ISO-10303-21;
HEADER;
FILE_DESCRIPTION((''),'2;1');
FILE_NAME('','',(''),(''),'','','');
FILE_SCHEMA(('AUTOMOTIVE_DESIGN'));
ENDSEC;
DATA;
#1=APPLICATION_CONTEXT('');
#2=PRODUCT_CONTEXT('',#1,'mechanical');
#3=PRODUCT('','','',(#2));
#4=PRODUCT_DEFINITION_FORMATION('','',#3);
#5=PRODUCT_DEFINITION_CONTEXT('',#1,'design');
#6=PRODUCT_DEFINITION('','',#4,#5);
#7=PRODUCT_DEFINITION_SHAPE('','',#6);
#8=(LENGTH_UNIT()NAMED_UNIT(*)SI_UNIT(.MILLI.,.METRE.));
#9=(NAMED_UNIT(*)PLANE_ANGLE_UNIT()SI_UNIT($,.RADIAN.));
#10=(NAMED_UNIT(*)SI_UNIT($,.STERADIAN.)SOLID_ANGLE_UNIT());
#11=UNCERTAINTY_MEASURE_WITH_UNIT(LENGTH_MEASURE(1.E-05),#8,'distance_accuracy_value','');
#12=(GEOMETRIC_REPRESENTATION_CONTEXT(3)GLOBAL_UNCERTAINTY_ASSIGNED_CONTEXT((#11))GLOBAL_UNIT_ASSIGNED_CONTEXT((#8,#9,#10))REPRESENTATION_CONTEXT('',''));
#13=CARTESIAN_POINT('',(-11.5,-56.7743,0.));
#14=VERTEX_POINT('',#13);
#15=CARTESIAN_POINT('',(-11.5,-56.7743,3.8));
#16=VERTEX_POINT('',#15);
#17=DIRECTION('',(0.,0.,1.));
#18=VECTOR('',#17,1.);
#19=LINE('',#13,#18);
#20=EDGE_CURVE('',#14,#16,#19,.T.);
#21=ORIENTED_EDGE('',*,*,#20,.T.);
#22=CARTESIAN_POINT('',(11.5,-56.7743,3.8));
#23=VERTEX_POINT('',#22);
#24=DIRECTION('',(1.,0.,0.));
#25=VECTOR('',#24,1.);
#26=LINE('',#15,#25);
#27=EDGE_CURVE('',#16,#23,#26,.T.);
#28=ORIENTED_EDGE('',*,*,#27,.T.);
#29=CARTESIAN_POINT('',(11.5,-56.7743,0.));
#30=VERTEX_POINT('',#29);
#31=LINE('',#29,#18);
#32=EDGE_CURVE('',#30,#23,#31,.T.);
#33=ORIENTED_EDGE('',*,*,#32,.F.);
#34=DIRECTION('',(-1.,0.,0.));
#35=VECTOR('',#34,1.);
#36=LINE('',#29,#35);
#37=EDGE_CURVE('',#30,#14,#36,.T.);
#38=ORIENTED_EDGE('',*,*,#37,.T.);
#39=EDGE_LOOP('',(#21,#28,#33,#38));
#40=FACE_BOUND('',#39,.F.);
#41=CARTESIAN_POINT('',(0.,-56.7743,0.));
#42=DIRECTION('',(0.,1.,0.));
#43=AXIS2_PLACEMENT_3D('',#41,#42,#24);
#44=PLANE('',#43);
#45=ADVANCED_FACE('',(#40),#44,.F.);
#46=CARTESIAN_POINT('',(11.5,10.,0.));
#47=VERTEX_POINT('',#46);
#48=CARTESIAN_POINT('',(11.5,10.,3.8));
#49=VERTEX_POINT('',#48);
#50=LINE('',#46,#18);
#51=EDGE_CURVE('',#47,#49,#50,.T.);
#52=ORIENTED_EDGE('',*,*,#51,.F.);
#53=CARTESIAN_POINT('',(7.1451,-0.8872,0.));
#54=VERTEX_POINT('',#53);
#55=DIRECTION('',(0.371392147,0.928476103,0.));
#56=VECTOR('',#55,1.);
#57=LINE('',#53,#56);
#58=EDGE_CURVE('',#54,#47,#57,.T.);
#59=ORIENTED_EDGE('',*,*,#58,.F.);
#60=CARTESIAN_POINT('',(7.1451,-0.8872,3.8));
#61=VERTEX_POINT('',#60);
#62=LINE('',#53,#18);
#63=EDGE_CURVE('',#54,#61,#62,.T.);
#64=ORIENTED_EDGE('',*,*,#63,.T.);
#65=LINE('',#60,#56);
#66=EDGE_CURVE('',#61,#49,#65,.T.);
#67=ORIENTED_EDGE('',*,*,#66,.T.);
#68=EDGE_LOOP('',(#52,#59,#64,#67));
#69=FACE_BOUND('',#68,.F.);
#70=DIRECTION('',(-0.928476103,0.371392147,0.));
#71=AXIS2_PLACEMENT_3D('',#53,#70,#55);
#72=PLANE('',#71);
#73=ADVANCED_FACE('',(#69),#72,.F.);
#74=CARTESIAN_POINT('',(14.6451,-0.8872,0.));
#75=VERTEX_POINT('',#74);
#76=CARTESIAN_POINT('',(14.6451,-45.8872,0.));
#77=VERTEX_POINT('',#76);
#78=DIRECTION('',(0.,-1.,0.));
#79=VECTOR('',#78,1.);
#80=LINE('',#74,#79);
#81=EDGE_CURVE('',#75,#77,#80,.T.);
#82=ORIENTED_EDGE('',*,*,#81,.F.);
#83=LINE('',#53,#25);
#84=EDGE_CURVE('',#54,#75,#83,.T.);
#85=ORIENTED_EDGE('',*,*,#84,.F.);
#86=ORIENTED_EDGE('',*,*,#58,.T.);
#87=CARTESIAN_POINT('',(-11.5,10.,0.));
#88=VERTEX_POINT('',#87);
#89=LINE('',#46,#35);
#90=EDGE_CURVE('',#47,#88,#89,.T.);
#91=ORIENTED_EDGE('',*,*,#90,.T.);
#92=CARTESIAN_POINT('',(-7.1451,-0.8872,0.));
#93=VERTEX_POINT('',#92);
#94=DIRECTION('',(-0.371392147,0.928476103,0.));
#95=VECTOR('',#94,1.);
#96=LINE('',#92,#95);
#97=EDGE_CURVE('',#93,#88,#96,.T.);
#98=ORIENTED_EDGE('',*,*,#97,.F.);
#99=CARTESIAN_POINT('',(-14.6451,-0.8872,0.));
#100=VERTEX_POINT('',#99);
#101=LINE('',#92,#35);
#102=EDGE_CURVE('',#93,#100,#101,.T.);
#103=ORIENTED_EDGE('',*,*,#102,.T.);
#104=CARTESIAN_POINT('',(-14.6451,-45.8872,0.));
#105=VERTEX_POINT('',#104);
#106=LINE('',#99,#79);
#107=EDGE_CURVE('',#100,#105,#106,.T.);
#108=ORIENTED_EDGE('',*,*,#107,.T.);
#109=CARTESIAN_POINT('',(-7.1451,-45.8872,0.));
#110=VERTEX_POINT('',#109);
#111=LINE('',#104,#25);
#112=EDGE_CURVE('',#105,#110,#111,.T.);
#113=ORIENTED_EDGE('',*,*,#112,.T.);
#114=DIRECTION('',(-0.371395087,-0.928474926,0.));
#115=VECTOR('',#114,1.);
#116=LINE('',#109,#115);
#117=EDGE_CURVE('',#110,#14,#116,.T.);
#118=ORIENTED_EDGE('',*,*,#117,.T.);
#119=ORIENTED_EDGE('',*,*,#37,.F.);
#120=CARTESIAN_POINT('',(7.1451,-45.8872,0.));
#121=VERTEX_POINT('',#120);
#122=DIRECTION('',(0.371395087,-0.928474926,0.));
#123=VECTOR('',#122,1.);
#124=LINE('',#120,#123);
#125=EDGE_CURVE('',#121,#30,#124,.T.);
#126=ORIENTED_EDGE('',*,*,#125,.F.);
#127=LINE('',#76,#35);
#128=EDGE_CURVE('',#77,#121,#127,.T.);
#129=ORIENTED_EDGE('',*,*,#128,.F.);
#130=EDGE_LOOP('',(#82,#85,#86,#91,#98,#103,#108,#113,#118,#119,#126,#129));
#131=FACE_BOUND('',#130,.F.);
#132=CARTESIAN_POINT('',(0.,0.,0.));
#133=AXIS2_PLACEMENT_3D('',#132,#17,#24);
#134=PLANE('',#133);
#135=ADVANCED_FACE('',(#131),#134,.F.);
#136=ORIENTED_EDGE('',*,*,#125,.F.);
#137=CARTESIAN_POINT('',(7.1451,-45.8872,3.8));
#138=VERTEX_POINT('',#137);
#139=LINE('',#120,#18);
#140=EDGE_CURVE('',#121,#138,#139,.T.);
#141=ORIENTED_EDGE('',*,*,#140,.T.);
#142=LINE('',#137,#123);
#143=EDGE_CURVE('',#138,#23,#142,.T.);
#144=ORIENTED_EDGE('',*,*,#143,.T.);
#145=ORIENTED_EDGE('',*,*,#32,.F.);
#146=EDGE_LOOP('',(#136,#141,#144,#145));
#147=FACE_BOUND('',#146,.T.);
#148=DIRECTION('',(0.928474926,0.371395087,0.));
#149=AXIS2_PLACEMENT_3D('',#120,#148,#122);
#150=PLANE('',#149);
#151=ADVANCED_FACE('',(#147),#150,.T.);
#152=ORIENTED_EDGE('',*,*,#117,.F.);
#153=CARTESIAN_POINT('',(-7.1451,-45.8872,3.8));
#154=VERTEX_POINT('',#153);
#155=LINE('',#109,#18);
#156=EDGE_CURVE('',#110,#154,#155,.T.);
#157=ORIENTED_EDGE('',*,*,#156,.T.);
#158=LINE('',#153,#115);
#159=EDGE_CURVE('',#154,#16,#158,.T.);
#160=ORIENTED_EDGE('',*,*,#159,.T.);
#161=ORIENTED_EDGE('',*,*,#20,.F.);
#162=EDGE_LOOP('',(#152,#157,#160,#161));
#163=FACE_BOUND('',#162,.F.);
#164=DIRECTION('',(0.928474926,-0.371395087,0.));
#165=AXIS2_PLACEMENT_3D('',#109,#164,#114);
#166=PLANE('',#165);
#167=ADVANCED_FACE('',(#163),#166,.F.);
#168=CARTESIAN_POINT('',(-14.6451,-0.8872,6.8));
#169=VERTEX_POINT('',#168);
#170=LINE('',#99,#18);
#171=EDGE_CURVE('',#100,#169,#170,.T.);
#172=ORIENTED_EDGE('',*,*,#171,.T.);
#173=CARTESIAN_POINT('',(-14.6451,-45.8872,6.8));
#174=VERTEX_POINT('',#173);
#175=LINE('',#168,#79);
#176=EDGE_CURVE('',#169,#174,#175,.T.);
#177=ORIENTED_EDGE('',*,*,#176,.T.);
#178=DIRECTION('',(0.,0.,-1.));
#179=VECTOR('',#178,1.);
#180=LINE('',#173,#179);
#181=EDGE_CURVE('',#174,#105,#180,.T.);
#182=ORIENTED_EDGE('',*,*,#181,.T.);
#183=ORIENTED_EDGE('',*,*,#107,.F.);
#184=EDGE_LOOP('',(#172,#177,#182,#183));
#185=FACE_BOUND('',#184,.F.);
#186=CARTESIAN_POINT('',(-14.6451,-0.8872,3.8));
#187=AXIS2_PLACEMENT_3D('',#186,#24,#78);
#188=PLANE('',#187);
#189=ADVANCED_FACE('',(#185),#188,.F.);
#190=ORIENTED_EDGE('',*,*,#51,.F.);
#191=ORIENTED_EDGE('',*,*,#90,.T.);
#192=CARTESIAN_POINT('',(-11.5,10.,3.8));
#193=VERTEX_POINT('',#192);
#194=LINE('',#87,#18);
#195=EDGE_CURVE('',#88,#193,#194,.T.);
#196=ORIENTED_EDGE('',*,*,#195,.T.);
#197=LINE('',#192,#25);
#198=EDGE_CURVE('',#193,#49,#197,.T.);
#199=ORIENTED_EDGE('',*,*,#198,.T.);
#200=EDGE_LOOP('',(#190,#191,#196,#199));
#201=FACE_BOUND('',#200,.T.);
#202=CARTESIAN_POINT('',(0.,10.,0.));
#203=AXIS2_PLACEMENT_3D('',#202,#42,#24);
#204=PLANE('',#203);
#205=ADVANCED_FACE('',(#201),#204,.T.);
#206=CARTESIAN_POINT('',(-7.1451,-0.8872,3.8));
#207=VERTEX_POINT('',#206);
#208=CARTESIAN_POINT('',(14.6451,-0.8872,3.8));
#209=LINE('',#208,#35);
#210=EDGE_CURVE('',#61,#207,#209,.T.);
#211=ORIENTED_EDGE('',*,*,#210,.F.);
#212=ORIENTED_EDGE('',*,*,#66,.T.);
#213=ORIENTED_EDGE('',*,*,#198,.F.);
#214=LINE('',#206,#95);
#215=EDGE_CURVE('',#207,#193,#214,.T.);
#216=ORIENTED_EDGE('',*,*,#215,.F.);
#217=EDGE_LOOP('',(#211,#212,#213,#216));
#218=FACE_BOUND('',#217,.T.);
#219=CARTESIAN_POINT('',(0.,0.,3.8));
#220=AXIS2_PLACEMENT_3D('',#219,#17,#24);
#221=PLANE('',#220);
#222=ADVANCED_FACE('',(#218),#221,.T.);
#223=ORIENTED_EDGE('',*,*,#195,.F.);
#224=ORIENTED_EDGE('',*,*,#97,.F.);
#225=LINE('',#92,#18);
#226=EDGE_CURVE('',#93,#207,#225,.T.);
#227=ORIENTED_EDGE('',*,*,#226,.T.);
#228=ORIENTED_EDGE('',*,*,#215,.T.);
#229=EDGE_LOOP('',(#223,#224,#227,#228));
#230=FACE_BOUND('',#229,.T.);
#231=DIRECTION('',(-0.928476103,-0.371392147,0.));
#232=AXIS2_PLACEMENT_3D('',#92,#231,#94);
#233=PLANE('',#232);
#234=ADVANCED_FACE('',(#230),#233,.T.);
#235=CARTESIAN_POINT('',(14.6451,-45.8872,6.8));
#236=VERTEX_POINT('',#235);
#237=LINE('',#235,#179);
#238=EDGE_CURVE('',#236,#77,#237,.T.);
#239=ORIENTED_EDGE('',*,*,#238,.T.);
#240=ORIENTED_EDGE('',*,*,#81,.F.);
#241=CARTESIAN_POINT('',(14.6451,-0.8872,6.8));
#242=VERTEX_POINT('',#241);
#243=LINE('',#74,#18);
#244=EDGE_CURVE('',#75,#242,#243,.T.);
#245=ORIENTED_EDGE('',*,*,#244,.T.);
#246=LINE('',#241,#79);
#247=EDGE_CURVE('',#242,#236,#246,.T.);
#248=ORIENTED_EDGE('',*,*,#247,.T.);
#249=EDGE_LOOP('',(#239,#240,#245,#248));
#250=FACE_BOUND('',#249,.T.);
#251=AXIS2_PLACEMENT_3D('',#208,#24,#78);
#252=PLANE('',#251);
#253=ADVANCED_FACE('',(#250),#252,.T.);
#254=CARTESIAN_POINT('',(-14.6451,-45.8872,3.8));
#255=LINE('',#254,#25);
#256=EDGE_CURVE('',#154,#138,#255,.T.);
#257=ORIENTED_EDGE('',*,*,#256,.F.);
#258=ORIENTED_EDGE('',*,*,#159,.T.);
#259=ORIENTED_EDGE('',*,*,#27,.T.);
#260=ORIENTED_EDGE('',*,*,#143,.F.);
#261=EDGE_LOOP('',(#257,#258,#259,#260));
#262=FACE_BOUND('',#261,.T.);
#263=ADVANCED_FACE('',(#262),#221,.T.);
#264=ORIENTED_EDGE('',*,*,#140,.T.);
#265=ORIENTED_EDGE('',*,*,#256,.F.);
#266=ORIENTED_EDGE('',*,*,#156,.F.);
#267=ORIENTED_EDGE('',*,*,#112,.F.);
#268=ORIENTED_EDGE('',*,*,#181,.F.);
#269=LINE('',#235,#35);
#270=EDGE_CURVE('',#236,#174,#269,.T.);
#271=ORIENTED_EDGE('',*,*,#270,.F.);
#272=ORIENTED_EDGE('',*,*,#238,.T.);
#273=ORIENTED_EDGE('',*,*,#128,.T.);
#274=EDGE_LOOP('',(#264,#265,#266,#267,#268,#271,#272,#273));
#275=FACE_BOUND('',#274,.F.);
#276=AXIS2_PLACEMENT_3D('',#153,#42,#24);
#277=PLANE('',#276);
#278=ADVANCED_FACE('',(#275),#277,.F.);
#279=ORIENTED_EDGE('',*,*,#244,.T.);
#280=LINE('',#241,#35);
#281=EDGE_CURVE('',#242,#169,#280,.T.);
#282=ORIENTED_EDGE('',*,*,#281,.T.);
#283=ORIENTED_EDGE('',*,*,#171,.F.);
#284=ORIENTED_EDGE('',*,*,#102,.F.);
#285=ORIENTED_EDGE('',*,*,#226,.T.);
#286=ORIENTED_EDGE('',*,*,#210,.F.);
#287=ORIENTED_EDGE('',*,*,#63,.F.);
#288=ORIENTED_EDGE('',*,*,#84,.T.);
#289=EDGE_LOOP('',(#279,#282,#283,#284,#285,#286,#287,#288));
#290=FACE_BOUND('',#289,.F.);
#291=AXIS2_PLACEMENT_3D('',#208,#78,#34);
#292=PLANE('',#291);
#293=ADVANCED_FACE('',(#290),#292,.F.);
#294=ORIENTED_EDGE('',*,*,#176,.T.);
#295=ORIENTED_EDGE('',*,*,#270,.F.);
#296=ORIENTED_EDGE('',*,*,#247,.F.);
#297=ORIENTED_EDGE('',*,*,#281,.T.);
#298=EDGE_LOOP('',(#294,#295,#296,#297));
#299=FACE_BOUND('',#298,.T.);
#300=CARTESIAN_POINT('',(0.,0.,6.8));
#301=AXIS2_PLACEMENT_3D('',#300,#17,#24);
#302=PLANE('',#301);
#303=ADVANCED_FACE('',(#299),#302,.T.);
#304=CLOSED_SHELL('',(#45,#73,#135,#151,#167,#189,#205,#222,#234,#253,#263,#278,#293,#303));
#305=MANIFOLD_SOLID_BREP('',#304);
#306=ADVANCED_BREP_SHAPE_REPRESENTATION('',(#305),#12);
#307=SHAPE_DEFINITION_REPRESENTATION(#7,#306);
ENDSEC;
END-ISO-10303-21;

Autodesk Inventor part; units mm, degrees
ref_plane "YZ Plane" through (0, 0, 0) normal (1, 0, 0) x (0, 1, 0)
ref_plane "XZ Plane" through (0, 0, 0) normal (0, 1, 0) x (-1, 0, 0)
ref_plane "XY Plane" through (0, 0, 0) normal (0, 0, 1) x (1, 0, 0)
sketch "スケッチ1" plane through (0, 0, 0) normal (0, 0, 1) x (1, 0, 0)
  line L0 (0, 10) -> (11.5, 10)
  line L1 (7.1451, -0.8872) -> (11.5, 10)
  line L2 (0, 10) -> (0, 0) construction
  line L3 (0, 10) -> (-11.5, 10)
  line L4 (-7.1451, -0.8872) -> (-11.5, 10)
  line L5 (7.1451, -0.8872) -> (7.1451, -45.8872)
  line L6 (-7.1451, -45.8872) -> (-7.1451, -0.8872)
  line L7 (-7.1451, -23.3872) -> (7.1451, -23.3872) construction
  line L8 (0, -56.7743) -> (11.5, -56.7743)
  line L9 (7.1451, -45.8872) -> (11.5, -56.7743)
  line L10 (0, -56.7743) -> (-11.5, -56.7743)
  line L11 (-7.1451, -45.8872) -> (-11.5, -56.7743)
  line L12 (7.1451, -0.8872) -> (7.1451, -45.8872)
  line L13 (7.1451, -45.8872) -> (11.5, -56.7743)
  line L14 (11.5, -56.7743) -> (-11.5, -56.7743)
  line L15 (-11.5, -56.7743) -> (-7.1451, -45.8872)
  line L16 (-7.1451, -45.8872) -> (-7.1451, -0.8872)
  line L17 (-7.1451, -0.8872) -> (-11.5, 10)
  line L18 (-11.5, 10) -> (11.5, 10)
  line L19 (11.5, 10) -> (7.1451, -0.8872)
  dimension "d0" = 7.2
  dimension "d1" = 11.5
  dimension "d3" = 45
extrude "押し出し1" add sketch "スケッチ1" along normal blind 3.8
sketch "スケッチ2" plane through (0, 0, 3.8) normal (0, 0, 1) x (1, 0, 0)
  line L0 (-11.5, 10) -> (-7.1451, -0.8872) projected
  line L1 (-7.1451, -0.8872) -> (-14.6451, -0.8872)
  line L2 (-14.6451, -0.8872) -> (-14.6451, -45.8872)
  line L3 (-14.6451, -45.8872) -> (-7.1451, -45.8872)
  line L4 (-7.1451, -45.8872) -> (-7.1451, -0.8872)
  line L5 (7.1451, -45.8872) -> (7.1451, -0.8872) projected
  line L6 (7.1451, -0.8872) -> (14.6451, -0.8872)
  line L7 (14.6451, -0.8872) -> (14.6451, -45.8872)
  line L8 (14.6451, -45.8872) -> (7.1451, -45.8872)
  line L9 (7.1451, -45.8872) -> (7.1451, -0.8872)
  point P0 (0, 0)
  dimension "d6" = 7.5
  dimension "d7" = 45
  dimension "d8" = 7.5
extrude "押し出し2" add sketch "スケッチ2" against normal blind 3.8
sketch "スケッチ3" plane through (0, 0, 3.8) normal (0, 0, 1) x (1, 0, 0)
  line L0 (14.6451, -0.8872) -> (14.6451, -45.8872) projected
  line L1 (-7.1451, -45.8872) -> (-14.6451, -45.8872) projected
  line L2 (14.6451, -0.8872) -> (-14.6451, -0.8872)
  line L3 (-14.6451, -0.8872) -> (-14.6451, -45.8872)
  line L4 (-14.6451, -45.8872) -> (14.6451, -45.8872)
  line L5 (14.6451, -45.8872) -> (14.6451, -0.8872)
  point P0 (0, 0)
extrude "押し出し3" add sketch "スケッチ3" along normal blind 3
properties part number "iPad_mount_center"
